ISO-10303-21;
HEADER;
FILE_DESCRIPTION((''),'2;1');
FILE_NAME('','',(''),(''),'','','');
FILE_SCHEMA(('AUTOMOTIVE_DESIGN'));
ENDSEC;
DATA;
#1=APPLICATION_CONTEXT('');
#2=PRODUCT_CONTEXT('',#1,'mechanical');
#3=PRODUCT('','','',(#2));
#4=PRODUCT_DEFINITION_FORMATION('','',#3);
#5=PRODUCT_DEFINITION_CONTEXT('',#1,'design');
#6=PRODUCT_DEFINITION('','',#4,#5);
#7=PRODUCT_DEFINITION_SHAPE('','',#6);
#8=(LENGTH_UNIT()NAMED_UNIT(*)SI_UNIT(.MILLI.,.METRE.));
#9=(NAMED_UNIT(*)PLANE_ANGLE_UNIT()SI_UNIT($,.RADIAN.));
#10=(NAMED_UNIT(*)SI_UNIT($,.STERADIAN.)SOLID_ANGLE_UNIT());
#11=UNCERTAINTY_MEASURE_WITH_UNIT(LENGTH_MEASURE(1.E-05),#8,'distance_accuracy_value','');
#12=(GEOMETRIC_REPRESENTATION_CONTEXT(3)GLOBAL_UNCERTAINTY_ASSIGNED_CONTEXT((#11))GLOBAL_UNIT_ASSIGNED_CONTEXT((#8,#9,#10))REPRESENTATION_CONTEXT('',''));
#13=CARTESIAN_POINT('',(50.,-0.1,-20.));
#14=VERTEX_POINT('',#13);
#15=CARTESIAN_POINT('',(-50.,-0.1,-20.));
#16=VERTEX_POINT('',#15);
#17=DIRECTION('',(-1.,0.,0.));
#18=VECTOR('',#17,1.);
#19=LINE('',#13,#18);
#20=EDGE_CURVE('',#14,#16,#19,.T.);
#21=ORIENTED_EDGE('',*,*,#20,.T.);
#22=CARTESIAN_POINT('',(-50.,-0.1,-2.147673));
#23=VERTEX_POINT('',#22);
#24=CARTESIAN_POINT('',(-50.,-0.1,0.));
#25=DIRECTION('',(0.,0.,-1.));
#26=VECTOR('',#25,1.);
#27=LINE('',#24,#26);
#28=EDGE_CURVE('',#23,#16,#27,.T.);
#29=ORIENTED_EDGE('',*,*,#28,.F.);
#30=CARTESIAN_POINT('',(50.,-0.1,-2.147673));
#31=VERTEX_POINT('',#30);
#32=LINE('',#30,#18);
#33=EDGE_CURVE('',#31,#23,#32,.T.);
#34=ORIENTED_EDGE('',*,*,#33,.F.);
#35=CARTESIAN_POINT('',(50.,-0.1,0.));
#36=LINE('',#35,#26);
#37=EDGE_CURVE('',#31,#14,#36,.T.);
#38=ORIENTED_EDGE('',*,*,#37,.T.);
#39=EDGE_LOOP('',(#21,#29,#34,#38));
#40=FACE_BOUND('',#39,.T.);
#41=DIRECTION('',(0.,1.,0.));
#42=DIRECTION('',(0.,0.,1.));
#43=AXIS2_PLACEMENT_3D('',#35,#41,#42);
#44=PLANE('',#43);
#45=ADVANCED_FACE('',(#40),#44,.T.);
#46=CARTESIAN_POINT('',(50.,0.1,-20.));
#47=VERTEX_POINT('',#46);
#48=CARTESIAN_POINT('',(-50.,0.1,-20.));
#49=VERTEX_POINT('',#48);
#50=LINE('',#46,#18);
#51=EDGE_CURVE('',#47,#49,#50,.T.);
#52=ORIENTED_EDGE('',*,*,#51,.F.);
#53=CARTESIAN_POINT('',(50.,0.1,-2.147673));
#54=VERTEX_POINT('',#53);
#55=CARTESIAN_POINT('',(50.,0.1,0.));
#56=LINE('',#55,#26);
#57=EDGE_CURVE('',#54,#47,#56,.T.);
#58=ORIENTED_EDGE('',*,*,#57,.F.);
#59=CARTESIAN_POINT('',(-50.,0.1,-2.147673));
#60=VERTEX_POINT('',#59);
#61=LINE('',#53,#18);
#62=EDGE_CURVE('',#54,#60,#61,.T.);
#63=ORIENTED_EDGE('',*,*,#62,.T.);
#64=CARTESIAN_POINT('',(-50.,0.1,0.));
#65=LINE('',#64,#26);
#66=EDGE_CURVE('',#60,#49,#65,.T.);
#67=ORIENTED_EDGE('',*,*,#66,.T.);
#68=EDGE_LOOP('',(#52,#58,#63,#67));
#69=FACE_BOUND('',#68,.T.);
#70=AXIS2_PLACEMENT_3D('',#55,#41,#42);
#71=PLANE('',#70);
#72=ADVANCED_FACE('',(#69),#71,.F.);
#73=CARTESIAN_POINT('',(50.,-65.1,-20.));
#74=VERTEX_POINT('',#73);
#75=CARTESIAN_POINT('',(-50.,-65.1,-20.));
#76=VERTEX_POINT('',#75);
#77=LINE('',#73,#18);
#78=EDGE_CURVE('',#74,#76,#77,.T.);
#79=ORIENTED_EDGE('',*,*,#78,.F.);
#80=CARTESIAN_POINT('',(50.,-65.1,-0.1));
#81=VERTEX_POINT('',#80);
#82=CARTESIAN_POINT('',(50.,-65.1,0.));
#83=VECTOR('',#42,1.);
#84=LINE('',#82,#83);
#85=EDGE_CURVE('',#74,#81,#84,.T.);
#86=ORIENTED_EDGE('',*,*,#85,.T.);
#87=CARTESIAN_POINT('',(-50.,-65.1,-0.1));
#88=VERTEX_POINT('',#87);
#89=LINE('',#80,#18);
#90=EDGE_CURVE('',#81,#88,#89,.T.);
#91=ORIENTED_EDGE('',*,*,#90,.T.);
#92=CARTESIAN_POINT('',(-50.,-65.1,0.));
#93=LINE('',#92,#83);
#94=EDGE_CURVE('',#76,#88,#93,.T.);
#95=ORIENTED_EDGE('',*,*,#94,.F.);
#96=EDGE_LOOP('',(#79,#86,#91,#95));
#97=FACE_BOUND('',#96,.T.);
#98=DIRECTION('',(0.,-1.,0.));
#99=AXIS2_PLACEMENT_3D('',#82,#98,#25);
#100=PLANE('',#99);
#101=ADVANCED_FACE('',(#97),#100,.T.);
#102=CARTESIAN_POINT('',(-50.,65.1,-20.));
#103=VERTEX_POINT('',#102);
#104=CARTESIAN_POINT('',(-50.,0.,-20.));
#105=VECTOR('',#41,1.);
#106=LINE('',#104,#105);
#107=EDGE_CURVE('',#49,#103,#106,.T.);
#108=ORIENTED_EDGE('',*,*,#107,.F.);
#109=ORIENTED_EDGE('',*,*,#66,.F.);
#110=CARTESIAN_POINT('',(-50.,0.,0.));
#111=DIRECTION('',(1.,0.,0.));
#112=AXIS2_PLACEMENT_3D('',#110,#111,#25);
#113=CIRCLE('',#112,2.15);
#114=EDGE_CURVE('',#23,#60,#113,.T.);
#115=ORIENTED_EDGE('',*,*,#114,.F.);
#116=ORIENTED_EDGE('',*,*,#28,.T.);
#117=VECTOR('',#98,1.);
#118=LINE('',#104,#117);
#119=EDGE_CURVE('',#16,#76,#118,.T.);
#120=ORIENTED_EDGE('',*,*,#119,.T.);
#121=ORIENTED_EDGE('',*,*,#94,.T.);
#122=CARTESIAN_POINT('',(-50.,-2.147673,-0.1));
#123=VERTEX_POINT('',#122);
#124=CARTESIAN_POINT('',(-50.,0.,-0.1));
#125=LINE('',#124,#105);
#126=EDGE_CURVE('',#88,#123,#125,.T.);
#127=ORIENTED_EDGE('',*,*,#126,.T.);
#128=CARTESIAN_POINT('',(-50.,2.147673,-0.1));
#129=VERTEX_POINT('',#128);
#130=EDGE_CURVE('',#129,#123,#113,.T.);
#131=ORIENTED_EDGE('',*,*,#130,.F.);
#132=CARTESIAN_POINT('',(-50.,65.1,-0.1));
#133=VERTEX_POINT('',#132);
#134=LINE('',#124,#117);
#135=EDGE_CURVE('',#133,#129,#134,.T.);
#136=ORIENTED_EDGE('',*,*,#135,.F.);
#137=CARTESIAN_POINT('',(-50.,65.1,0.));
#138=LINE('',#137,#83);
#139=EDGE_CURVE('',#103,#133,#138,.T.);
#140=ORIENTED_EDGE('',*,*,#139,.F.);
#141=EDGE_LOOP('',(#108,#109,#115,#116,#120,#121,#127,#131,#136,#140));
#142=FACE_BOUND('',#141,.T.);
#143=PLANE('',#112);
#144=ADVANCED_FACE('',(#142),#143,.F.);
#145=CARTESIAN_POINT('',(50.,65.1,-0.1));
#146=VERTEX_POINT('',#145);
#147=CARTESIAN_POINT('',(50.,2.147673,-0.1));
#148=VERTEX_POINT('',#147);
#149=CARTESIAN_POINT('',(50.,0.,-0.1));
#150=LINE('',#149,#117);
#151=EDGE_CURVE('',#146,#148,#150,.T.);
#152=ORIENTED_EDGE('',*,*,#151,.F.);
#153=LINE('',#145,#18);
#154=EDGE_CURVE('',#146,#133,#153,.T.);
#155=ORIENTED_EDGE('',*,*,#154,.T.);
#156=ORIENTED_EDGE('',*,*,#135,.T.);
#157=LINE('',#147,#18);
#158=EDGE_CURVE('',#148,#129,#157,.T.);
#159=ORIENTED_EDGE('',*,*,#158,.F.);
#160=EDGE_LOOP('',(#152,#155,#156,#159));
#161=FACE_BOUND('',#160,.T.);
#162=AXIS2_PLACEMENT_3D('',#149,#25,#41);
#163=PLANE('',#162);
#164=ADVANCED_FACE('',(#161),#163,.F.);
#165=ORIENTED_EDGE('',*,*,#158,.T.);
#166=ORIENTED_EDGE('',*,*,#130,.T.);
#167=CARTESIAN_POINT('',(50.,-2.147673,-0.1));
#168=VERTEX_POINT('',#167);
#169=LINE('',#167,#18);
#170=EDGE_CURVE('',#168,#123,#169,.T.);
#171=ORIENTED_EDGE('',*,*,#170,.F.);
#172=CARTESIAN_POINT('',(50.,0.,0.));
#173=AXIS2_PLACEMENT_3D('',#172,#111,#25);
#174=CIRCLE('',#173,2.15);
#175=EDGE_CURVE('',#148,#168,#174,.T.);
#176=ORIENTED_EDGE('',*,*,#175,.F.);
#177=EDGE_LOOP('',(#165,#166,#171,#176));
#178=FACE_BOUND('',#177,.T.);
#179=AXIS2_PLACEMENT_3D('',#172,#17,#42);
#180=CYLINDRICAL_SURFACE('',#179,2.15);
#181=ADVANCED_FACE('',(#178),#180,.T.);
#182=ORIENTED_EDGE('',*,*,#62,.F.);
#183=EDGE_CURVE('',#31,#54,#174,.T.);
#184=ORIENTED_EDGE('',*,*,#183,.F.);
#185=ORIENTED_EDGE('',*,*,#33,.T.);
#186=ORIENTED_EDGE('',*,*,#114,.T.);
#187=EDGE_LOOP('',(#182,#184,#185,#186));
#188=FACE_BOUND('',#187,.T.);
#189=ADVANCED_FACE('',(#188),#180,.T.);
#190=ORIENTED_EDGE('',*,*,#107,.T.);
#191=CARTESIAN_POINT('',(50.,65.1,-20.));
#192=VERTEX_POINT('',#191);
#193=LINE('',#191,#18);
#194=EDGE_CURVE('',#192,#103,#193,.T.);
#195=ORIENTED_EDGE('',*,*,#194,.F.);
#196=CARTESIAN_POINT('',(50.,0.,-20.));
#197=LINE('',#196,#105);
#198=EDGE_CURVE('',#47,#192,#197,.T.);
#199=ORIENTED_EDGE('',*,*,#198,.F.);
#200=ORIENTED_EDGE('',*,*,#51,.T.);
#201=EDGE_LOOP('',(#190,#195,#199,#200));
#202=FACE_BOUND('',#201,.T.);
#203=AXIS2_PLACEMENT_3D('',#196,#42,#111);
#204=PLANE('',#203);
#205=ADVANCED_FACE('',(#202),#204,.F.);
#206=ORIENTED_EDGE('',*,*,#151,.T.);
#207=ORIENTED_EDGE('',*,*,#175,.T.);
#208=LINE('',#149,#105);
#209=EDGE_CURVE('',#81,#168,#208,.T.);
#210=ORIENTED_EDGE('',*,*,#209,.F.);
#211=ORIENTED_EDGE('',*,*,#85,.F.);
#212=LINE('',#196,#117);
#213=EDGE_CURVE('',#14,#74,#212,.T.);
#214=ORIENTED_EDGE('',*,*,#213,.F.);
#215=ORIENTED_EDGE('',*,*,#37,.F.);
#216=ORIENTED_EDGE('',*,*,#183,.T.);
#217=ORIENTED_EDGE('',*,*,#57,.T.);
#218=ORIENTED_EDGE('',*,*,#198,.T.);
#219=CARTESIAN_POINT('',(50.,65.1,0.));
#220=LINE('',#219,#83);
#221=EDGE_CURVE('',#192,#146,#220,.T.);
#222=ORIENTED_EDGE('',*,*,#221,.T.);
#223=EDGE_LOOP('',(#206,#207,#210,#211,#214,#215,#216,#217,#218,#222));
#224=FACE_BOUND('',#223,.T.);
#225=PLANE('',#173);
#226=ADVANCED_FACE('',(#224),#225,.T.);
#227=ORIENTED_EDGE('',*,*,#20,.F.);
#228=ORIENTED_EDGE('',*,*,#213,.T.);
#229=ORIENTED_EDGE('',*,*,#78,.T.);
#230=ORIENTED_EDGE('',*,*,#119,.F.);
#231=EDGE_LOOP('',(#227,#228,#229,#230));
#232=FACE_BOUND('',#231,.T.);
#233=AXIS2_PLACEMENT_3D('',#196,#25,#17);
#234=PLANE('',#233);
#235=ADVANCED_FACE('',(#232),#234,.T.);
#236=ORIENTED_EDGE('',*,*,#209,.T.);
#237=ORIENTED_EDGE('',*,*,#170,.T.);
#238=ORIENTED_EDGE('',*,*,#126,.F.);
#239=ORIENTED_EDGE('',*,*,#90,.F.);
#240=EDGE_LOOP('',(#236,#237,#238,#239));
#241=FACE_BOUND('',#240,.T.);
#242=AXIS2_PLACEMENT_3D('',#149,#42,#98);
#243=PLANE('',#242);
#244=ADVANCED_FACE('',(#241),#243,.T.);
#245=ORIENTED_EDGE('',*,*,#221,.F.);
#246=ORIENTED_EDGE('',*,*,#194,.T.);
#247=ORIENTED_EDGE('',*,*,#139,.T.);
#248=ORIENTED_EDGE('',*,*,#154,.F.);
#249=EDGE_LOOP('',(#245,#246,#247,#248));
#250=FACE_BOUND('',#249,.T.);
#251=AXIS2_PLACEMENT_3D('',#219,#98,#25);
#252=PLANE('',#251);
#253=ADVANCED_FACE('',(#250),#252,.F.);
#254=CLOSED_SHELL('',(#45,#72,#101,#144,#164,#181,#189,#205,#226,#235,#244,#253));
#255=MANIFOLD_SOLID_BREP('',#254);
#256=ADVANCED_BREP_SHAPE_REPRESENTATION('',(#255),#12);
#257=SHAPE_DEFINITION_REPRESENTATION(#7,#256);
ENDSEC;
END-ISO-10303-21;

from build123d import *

# Parameters (mm, degrees)
BOSS_EXTRUDE1_DEPTH = 50


with BuildPart() as part:
    # Sketch2 → Boss-Extrude1 (new, symmetric)
    with BuildSketch(Plane(origin=(0, 0, 0), x_dir=(0, 0, -1), z_dir=(1, 0, 0))):
        with BuildLine():
            Line((0.1, 65.1), (0.1, 2.147673159))
            ThreePointArc((0.1, 2.147673159), (-2.15, 0), (0.1, -2.147673159))
            Line((0.1, -2.147673159), (0.1, -65.1))
            Line((0.1, -65.1), (20, -65.1))
            Line((20, -65.1), (20, -0.1))
            Line((20, -0.1), (2.147673159, -0.1))
            ThreePointArc((2.147673159, -0.1), (2.15, 0), (2.147673159, 0.1))
            Line((2.147673159, 0.1), (20, 0.1))
            Line((20, 0.1), (20, 65.1))
            Line((20, 65.1), (0.1, 65.1))
        make_face()
    extrude(amount=BOSS_EXTRUDE1_DEPTH, both=True)


solid = part.part
